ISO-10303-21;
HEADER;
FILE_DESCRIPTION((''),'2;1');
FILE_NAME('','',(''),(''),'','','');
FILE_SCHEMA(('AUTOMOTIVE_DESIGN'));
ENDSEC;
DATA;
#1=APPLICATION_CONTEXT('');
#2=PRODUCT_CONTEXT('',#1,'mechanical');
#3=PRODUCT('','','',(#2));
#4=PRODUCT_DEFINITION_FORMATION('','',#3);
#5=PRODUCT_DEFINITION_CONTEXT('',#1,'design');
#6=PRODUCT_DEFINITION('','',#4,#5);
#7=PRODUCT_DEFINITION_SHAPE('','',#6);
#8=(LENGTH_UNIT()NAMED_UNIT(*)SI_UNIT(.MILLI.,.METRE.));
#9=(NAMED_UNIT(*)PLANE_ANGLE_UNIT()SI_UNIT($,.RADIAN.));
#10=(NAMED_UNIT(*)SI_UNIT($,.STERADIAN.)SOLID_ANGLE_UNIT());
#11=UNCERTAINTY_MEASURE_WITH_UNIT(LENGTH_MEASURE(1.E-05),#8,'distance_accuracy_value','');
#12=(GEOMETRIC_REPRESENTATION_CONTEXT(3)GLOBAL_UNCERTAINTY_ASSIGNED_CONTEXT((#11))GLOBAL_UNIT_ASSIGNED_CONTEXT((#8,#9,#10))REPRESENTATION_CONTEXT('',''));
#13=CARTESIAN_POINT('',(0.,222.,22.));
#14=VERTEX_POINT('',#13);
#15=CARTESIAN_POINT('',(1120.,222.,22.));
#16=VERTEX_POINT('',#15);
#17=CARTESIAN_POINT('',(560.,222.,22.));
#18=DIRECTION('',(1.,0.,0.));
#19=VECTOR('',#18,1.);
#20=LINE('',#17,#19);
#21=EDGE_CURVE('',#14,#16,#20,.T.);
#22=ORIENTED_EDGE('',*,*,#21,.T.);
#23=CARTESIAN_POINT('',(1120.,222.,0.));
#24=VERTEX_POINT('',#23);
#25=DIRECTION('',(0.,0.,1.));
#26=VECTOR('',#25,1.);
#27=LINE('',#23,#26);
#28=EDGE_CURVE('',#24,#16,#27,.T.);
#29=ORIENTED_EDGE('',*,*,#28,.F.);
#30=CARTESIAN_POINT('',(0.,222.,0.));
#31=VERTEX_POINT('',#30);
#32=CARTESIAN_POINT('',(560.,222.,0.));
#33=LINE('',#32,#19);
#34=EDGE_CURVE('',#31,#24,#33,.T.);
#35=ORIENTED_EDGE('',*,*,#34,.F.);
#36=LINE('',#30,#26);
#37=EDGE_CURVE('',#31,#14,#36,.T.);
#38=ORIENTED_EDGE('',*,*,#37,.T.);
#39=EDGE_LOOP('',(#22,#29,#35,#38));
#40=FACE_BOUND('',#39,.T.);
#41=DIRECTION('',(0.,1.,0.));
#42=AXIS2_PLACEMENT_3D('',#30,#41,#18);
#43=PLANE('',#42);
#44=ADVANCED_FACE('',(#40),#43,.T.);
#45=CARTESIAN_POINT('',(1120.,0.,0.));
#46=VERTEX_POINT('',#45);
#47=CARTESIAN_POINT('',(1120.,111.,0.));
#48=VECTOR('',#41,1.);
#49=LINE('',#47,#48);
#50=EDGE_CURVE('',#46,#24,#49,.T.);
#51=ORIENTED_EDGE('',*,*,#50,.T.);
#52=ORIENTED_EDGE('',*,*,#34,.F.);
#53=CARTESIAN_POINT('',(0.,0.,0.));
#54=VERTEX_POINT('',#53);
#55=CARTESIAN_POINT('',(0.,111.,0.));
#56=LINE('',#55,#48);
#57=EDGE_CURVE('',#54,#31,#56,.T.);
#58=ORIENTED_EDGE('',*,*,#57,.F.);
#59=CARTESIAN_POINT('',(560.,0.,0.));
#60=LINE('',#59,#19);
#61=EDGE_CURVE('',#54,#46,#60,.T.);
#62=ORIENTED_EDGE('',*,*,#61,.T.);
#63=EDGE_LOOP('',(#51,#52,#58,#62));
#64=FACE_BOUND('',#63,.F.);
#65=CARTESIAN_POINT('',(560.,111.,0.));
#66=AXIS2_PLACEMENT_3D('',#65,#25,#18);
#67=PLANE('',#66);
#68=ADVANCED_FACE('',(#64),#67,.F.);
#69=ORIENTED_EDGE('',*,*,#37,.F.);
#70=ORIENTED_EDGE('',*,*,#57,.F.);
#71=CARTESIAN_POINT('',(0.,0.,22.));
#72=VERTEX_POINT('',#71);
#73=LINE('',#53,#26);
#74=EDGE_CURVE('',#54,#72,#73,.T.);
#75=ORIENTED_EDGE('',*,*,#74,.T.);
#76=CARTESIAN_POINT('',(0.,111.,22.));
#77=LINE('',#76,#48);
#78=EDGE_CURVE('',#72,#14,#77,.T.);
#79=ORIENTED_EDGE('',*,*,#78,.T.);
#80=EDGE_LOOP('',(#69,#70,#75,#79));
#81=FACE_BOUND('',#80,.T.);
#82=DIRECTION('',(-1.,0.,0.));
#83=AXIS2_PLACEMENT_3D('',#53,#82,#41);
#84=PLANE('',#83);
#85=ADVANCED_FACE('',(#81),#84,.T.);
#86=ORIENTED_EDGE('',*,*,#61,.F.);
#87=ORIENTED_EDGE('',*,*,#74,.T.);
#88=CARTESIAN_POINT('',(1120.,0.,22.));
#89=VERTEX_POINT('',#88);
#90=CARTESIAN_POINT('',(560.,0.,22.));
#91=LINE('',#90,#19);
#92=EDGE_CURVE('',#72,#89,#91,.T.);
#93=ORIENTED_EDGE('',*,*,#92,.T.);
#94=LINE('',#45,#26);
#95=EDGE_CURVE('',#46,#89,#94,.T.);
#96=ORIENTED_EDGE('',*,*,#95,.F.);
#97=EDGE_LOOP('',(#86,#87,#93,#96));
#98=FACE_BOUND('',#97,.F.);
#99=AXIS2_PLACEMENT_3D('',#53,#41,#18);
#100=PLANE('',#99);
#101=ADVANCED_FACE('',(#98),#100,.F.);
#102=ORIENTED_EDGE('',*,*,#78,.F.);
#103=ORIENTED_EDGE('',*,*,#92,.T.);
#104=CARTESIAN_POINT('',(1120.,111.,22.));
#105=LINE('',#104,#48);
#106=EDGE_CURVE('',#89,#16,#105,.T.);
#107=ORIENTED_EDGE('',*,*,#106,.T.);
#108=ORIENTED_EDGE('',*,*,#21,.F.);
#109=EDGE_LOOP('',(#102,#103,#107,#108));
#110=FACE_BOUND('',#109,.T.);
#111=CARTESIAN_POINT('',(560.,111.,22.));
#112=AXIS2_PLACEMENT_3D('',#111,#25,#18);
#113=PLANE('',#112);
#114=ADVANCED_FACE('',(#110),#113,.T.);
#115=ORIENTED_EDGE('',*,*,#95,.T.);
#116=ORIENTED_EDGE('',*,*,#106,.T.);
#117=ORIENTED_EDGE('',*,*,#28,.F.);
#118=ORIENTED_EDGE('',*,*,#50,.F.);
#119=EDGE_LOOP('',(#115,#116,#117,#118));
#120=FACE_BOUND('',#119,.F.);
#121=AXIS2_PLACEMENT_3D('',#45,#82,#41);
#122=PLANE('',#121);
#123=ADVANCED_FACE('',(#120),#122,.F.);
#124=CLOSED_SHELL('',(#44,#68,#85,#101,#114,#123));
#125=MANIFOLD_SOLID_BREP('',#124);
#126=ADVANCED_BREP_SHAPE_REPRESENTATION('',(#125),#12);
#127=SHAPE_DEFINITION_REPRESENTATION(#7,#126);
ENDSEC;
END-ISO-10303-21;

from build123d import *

# Parameters (mm, degrees)
SKETCH_W  = 1120
SKETCH_H  = 222
PAD_DEPTH = 22


with BuildPart() as part:
    # Sketch → Pad (new body)
    with BuildSketch(Plane.XY):
        with Locations((560, 111)):
            Rectangle(SKETCH_W, SKETCH_H)
    extrude(amount=PAD_DEPTH)


solid = part.part
